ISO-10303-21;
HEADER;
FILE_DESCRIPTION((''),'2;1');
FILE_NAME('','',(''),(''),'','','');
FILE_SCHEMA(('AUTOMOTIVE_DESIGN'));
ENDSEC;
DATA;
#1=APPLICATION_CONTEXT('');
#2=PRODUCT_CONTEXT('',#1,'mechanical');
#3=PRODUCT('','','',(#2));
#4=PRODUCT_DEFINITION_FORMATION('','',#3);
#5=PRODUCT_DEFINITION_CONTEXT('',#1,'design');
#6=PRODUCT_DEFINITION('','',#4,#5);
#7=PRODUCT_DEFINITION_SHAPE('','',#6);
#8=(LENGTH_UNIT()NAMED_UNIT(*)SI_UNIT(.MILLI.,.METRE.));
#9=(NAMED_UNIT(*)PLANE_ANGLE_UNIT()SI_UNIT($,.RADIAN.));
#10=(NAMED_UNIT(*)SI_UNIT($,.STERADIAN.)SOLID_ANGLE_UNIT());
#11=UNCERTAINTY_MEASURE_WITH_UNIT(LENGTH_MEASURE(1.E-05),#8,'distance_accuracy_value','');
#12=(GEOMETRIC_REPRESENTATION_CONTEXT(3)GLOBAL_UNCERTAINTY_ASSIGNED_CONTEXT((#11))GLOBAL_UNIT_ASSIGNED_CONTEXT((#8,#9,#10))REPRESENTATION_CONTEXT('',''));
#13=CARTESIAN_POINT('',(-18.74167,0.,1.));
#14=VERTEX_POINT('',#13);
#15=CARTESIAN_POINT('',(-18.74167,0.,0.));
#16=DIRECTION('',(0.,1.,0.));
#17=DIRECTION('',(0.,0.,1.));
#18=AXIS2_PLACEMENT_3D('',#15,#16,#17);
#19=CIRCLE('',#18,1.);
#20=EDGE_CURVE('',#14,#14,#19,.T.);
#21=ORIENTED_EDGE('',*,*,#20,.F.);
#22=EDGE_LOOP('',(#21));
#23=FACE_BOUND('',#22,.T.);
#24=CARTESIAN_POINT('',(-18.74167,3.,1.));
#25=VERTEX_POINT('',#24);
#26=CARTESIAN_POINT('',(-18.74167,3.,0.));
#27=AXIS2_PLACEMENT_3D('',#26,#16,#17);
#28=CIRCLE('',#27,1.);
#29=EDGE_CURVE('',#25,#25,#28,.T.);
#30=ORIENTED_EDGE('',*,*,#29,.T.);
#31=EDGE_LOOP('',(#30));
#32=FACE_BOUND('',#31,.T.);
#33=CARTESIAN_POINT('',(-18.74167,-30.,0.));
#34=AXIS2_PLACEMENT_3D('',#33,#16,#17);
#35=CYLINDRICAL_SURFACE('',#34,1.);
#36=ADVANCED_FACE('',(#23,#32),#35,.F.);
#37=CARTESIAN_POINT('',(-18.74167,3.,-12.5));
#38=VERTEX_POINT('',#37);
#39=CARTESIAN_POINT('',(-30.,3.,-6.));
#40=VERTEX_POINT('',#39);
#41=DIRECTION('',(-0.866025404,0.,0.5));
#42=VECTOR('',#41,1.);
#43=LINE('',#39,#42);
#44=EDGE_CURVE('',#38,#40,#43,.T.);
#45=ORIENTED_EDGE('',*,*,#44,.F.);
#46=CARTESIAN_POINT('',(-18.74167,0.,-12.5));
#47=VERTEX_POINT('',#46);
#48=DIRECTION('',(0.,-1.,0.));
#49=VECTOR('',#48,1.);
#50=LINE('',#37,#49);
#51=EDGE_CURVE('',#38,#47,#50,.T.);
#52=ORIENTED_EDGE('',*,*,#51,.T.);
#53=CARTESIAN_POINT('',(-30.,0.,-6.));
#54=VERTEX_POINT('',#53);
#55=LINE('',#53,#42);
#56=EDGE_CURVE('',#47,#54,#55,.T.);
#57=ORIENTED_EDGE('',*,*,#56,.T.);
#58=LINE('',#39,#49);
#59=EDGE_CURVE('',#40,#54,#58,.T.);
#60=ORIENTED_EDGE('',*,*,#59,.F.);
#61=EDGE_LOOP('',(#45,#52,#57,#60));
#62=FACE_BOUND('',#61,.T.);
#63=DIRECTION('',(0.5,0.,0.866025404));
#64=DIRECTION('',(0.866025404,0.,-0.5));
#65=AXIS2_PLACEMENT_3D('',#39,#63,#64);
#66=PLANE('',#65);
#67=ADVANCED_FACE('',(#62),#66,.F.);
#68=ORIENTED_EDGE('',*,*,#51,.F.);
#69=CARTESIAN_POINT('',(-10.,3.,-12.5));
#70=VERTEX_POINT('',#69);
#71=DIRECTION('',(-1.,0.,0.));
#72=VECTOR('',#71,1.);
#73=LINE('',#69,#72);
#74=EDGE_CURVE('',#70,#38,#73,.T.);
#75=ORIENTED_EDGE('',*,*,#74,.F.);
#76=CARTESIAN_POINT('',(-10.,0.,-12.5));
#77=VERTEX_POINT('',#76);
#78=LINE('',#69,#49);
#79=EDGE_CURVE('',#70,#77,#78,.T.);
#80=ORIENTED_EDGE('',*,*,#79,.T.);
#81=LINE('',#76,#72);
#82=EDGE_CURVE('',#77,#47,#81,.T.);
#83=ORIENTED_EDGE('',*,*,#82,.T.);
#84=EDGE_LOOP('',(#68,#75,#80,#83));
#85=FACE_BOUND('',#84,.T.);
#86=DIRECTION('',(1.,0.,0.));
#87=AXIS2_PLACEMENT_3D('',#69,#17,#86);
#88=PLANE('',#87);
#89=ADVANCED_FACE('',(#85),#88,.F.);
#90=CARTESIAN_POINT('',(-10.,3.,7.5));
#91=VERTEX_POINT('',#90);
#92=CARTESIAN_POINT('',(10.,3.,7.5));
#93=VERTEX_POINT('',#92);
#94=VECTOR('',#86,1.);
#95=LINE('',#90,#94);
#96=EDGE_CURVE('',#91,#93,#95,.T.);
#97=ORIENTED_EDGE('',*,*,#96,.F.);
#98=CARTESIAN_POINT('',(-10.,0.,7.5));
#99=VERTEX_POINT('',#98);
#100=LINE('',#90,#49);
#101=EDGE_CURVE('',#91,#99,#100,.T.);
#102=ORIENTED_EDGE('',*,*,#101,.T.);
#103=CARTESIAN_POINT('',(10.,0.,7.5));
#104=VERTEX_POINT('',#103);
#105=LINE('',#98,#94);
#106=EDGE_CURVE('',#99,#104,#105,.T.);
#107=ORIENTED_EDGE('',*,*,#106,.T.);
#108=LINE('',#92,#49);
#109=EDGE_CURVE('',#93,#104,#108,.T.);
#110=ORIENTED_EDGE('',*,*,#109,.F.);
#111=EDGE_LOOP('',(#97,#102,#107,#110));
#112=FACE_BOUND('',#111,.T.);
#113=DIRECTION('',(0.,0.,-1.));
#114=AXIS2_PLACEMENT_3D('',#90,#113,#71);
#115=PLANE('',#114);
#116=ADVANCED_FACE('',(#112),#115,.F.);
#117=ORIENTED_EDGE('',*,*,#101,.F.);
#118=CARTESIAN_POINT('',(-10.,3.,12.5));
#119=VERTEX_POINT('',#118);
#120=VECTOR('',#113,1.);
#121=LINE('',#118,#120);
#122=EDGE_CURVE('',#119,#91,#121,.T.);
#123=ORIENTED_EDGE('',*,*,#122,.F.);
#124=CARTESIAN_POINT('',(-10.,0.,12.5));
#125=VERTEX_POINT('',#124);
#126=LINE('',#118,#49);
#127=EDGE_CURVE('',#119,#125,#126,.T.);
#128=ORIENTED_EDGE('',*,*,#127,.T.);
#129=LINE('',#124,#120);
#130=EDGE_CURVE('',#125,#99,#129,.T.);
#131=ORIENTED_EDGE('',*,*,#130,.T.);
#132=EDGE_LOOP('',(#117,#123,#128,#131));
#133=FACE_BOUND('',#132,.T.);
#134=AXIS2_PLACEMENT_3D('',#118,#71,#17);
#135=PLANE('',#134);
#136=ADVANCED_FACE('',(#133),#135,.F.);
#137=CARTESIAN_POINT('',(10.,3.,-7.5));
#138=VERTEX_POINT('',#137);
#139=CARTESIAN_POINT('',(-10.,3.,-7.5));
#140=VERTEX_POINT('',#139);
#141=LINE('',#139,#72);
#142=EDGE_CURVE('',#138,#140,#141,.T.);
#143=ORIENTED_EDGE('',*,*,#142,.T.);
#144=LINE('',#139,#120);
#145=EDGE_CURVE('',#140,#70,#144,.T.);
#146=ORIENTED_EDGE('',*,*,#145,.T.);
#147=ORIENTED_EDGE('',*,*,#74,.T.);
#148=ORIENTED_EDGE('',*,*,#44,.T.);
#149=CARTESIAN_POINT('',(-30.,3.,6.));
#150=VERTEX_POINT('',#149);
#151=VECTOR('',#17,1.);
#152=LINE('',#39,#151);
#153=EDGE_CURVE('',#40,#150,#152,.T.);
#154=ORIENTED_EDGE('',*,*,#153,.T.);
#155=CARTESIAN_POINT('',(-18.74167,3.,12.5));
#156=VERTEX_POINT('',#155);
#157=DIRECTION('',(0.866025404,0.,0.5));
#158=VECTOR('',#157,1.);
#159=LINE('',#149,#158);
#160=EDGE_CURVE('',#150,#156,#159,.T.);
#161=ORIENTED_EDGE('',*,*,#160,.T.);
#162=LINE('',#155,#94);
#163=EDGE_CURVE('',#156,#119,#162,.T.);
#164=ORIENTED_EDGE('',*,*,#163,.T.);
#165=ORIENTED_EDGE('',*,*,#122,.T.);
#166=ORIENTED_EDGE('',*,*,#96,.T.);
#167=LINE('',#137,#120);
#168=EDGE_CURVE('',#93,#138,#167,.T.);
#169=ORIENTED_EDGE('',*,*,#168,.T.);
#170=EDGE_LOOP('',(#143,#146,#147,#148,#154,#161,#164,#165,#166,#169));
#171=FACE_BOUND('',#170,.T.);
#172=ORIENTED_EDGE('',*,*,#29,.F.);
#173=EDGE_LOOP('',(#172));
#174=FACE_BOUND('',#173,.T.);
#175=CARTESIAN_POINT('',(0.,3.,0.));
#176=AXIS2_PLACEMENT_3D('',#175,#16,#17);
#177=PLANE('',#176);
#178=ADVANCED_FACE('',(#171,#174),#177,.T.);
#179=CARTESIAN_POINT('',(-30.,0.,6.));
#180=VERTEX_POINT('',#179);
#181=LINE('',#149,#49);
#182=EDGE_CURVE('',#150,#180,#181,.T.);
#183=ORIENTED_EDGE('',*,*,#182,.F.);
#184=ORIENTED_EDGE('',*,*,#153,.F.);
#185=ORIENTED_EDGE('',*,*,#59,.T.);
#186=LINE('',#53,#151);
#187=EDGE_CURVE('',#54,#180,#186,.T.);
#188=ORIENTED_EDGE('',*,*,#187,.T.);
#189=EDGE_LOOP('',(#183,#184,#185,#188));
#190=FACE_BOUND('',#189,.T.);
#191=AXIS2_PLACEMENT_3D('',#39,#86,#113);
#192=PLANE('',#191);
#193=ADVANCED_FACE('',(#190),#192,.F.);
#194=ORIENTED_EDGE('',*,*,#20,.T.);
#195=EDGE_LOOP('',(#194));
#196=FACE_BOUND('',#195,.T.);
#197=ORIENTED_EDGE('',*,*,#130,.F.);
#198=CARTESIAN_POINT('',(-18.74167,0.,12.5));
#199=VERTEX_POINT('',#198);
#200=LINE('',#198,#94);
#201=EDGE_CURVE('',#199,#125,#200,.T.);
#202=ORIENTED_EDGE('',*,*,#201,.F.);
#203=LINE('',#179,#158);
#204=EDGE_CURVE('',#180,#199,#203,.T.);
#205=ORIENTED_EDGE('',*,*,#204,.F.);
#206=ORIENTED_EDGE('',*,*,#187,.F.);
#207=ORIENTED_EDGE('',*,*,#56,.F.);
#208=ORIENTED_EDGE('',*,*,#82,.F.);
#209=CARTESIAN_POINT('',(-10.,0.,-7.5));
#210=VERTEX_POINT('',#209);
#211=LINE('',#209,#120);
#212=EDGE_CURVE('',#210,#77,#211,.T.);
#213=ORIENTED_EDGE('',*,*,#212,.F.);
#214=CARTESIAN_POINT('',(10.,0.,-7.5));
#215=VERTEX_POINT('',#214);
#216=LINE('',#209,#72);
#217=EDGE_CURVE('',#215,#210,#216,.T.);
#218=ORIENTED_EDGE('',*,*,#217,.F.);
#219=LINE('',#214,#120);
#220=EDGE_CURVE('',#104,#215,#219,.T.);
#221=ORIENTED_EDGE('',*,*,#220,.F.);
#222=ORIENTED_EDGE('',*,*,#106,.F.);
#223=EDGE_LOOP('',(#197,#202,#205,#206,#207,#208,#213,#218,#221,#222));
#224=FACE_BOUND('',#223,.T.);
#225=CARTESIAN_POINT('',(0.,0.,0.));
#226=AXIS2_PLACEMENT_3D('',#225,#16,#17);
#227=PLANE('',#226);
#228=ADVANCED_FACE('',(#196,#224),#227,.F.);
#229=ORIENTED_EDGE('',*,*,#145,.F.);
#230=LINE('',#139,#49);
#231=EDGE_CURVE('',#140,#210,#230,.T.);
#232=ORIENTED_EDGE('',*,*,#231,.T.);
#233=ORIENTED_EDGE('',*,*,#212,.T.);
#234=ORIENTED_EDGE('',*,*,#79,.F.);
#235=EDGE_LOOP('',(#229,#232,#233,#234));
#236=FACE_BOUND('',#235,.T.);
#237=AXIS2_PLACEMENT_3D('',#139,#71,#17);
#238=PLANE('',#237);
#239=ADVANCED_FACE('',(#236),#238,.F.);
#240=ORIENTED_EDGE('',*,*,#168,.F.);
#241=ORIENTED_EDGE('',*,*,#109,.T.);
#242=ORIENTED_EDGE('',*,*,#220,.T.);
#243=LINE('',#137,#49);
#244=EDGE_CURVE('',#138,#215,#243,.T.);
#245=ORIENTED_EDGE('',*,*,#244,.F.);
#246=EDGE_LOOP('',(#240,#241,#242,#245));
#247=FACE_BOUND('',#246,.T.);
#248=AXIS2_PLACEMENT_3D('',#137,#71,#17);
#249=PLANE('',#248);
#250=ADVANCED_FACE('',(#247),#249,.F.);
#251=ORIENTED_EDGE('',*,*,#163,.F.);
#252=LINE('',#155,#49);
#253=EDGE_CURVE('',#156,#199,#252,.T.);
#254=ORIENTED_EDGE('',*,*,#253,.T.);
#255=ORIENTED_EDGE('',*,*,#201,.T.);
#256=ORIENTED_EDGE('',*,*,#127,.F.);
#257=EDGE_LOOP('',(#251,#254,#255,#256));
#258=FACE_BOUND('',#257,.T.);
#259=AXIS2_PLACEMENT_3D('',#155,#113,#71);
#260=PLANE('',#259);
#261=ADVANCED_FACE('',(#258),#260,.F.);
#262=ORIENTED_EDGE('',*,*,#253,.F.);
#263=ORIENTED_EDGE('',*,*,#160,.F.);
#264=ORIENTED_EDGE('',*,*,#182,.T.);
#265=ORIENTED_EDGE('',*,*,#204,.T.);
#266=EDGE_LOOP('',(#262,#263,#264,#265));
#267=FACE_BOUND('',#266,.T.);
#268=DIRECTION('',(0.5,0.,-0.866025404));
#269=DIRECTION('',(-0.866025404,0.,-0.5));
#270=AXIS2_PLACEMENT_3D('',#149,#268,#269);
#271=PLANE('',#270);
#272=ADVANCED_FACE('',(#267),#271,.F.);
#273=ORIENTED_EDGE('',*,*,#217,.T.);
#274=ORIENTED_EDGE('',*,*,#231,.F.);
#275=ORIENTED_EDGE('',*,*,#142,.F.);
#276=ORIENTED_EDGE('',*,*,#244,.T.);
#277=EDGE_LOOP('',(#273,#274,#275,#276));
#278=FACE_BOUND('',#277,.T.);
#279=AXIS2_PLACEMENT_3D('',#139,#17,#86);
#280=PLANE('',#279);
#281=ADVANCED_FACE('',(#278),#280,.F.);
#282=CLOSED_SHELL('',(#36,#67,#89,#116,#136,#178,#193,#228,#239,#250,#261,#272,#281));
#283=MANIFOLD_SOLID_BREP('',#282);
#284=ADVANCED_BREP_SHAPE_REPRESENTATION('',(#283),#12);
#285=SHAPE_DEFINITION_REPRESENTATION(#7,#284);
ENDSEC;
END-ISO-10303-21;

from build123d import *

# Parameters (mm, degrees)
BOSS_EXTRUDE1_DEPTH = 3
SKETCH2_R           = 1
CUT_EXTRUDE1_DEPTH  = 33


with BuildPart() as part:
    # Sketch1 → Boss-Extrude1 (new body)
    with BuildSketch(Plane(origin=(0, 0, 0), x_dir=(1, 0, 0), z_dir=(0, 1, 0))):
        Polygon((-10, 7.5), (-10, 12.5), (-18.741669751, 12.5), (-30, 6), (-30, -6), (-18.741669751, -12.5), (-10, -12.5), (-10, -7.5), (10, -7.5), (10, 7.5), align=None)
    extrude(amount=BOSS_EXTRUDE1_DEPTH)

    # Sketch2 → Cut-Extrude1 (cut)
    with BuildSketch(Plane(origin=(0, 3, 0), x_dir=(1, 0, 0), z_dir=(0, 1, 0))):
        with Locations(Location((-18.741669751, 0, 0), (0, 0, 270))):
            Circle(SKETCH2_R)
    extrude(amount=-CUT_EXTRUDE1_DEPTH, mode=Mode.SUBTRACT)


solid = part.part
